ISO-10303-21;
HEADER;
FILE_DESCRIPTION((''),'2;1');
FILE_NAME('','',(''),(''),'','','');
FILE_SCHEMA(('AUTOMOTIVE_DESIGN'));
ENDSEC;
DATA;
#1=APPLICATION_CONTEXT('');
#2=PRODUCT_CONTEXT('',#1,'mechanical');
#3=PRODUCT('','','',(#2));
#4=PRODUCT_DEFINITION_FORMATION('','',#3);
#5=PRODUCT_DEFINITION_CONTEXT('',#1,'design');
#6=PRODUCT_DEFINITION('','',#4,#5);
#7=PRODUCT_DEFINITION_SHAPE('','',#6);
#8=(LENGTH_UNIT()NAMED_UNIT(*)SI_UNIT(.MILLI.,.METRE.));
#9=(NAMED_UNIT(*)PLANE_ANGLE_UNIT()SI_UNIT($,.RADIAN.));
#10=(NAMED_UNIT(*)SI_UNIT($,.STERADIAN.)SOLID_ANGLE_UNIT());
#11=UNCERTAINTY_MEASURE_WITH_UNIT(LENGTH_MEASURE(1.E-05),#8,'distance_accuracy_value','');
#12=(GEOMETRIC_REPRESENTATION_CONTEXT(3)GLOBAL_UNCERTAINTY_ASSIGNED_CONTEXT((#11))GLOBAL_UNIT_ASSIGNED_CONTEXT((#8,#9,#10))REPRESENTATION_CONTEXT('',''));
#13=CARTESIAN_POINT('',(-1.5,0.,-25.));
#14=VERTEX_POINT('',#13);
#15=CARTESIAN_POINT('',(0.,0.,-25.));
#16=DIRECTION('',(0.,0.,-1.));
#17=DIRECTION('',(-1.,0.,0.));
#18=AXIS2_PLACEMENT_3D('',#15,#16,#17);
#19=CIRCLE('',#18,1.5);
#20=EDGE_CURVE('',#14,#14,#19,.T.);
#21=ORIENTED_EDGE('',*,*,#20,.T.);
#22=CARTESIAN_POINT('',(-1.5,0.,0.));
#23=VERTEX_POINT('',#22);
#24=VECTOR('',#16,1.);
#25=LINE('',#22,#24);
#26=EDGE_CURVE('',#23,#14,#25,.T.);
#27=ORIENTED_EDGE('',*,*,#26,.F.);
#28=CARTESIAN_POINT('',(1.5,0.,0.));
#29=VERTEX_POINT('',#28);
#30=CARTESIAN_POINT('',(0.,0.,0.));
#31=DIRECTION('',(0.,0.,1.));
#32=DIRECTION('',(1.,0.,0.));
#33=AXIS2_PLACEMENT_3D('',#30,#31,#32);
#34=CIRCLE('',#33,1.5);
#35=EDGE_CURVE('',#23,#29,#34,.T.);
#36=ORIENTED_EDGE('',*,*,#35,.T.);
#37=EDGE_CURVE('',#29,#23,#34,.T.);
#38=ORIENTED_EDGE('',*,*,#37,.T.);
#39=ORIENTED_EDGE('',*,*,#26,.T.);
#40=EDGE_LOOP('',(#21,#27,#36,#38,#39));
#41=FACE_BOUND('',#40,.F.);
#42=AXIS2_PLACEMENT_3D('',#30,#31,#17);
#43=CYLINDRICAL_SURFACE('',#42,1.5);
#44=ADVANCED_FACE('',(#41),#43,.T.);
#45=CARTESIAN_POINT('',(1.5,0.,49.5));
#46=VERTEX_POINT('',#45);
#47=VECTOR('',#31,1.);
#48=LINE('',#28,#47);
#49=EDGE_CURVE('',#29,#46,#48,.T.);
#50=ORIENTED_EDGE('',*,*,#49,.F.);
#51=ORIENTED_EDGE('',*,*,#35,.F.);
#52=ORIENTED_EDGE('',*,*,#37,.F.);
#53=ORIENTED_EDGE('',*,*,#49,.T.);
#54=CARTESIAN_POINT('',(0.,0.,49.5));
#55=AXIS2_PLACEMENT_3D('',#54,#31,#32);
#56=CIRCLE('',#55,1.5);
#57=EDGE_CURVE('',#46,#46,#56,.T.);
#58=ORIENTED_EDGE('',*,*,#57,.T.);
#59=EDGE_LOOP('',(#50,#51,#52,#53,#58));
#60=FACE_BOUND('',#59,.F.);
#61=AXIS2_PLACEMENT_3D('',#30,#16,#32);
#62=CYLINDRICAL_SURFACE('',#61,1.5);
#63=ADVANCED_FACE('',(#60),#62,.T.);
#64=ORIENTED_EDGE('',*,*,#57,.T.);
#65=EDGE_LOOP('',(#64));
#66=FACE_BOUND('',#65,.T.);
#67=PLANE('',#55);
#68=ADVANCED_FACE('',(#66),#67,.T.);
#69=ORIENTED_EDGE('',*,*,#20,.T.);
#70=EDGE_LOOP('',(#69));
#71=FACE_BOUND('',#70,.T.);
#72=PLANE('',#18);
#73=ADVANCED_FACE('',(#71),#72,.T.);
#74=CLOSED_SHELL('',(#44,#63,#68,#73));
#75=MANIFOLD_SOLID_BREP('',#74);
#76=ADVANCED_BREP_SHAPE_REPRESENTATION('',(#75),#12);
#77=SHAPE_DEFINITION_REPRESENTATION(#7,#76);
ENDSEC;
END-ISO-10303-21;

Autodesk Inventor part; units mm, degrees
ref_plane "YZ Plane" through (0, 0, 0) normal (1, 0, 0) x (0, 1, 0)
ref_plane "XZ Plane" through (0, 0, 0) normal (0, 1, 0) x (-1, 0, 0)
ref_plane "XY Plane" through (0, 0, 0) normal (0, 0, 1) x (1, 0, 0)
sketch "Sketch1" plane through (0, 0, 0) normal (0, 0, 1) x (1, 0, 0)
  circle A0 centre (0, 0) radius 1.5
  dimension "d0" = 3
extrude "Extrusion1" add sketch "Sketch1" along normal blind 49.5
sketch "Sketch3" plane through (0, 0, 0) normal (0, 0, -1) x (-1, 0, 0)
  circle A0 centre (0, 0) radius 1.5
sketch "Sketch4" plane through (0, 0, 0) normal (0, 0, -1) x (-1, 0, 0)
  point P0 (0, 0)
extrude "Extrusion4" add sketch "Sketch3" along normal blind 25
properties part number "Shaft 2"
